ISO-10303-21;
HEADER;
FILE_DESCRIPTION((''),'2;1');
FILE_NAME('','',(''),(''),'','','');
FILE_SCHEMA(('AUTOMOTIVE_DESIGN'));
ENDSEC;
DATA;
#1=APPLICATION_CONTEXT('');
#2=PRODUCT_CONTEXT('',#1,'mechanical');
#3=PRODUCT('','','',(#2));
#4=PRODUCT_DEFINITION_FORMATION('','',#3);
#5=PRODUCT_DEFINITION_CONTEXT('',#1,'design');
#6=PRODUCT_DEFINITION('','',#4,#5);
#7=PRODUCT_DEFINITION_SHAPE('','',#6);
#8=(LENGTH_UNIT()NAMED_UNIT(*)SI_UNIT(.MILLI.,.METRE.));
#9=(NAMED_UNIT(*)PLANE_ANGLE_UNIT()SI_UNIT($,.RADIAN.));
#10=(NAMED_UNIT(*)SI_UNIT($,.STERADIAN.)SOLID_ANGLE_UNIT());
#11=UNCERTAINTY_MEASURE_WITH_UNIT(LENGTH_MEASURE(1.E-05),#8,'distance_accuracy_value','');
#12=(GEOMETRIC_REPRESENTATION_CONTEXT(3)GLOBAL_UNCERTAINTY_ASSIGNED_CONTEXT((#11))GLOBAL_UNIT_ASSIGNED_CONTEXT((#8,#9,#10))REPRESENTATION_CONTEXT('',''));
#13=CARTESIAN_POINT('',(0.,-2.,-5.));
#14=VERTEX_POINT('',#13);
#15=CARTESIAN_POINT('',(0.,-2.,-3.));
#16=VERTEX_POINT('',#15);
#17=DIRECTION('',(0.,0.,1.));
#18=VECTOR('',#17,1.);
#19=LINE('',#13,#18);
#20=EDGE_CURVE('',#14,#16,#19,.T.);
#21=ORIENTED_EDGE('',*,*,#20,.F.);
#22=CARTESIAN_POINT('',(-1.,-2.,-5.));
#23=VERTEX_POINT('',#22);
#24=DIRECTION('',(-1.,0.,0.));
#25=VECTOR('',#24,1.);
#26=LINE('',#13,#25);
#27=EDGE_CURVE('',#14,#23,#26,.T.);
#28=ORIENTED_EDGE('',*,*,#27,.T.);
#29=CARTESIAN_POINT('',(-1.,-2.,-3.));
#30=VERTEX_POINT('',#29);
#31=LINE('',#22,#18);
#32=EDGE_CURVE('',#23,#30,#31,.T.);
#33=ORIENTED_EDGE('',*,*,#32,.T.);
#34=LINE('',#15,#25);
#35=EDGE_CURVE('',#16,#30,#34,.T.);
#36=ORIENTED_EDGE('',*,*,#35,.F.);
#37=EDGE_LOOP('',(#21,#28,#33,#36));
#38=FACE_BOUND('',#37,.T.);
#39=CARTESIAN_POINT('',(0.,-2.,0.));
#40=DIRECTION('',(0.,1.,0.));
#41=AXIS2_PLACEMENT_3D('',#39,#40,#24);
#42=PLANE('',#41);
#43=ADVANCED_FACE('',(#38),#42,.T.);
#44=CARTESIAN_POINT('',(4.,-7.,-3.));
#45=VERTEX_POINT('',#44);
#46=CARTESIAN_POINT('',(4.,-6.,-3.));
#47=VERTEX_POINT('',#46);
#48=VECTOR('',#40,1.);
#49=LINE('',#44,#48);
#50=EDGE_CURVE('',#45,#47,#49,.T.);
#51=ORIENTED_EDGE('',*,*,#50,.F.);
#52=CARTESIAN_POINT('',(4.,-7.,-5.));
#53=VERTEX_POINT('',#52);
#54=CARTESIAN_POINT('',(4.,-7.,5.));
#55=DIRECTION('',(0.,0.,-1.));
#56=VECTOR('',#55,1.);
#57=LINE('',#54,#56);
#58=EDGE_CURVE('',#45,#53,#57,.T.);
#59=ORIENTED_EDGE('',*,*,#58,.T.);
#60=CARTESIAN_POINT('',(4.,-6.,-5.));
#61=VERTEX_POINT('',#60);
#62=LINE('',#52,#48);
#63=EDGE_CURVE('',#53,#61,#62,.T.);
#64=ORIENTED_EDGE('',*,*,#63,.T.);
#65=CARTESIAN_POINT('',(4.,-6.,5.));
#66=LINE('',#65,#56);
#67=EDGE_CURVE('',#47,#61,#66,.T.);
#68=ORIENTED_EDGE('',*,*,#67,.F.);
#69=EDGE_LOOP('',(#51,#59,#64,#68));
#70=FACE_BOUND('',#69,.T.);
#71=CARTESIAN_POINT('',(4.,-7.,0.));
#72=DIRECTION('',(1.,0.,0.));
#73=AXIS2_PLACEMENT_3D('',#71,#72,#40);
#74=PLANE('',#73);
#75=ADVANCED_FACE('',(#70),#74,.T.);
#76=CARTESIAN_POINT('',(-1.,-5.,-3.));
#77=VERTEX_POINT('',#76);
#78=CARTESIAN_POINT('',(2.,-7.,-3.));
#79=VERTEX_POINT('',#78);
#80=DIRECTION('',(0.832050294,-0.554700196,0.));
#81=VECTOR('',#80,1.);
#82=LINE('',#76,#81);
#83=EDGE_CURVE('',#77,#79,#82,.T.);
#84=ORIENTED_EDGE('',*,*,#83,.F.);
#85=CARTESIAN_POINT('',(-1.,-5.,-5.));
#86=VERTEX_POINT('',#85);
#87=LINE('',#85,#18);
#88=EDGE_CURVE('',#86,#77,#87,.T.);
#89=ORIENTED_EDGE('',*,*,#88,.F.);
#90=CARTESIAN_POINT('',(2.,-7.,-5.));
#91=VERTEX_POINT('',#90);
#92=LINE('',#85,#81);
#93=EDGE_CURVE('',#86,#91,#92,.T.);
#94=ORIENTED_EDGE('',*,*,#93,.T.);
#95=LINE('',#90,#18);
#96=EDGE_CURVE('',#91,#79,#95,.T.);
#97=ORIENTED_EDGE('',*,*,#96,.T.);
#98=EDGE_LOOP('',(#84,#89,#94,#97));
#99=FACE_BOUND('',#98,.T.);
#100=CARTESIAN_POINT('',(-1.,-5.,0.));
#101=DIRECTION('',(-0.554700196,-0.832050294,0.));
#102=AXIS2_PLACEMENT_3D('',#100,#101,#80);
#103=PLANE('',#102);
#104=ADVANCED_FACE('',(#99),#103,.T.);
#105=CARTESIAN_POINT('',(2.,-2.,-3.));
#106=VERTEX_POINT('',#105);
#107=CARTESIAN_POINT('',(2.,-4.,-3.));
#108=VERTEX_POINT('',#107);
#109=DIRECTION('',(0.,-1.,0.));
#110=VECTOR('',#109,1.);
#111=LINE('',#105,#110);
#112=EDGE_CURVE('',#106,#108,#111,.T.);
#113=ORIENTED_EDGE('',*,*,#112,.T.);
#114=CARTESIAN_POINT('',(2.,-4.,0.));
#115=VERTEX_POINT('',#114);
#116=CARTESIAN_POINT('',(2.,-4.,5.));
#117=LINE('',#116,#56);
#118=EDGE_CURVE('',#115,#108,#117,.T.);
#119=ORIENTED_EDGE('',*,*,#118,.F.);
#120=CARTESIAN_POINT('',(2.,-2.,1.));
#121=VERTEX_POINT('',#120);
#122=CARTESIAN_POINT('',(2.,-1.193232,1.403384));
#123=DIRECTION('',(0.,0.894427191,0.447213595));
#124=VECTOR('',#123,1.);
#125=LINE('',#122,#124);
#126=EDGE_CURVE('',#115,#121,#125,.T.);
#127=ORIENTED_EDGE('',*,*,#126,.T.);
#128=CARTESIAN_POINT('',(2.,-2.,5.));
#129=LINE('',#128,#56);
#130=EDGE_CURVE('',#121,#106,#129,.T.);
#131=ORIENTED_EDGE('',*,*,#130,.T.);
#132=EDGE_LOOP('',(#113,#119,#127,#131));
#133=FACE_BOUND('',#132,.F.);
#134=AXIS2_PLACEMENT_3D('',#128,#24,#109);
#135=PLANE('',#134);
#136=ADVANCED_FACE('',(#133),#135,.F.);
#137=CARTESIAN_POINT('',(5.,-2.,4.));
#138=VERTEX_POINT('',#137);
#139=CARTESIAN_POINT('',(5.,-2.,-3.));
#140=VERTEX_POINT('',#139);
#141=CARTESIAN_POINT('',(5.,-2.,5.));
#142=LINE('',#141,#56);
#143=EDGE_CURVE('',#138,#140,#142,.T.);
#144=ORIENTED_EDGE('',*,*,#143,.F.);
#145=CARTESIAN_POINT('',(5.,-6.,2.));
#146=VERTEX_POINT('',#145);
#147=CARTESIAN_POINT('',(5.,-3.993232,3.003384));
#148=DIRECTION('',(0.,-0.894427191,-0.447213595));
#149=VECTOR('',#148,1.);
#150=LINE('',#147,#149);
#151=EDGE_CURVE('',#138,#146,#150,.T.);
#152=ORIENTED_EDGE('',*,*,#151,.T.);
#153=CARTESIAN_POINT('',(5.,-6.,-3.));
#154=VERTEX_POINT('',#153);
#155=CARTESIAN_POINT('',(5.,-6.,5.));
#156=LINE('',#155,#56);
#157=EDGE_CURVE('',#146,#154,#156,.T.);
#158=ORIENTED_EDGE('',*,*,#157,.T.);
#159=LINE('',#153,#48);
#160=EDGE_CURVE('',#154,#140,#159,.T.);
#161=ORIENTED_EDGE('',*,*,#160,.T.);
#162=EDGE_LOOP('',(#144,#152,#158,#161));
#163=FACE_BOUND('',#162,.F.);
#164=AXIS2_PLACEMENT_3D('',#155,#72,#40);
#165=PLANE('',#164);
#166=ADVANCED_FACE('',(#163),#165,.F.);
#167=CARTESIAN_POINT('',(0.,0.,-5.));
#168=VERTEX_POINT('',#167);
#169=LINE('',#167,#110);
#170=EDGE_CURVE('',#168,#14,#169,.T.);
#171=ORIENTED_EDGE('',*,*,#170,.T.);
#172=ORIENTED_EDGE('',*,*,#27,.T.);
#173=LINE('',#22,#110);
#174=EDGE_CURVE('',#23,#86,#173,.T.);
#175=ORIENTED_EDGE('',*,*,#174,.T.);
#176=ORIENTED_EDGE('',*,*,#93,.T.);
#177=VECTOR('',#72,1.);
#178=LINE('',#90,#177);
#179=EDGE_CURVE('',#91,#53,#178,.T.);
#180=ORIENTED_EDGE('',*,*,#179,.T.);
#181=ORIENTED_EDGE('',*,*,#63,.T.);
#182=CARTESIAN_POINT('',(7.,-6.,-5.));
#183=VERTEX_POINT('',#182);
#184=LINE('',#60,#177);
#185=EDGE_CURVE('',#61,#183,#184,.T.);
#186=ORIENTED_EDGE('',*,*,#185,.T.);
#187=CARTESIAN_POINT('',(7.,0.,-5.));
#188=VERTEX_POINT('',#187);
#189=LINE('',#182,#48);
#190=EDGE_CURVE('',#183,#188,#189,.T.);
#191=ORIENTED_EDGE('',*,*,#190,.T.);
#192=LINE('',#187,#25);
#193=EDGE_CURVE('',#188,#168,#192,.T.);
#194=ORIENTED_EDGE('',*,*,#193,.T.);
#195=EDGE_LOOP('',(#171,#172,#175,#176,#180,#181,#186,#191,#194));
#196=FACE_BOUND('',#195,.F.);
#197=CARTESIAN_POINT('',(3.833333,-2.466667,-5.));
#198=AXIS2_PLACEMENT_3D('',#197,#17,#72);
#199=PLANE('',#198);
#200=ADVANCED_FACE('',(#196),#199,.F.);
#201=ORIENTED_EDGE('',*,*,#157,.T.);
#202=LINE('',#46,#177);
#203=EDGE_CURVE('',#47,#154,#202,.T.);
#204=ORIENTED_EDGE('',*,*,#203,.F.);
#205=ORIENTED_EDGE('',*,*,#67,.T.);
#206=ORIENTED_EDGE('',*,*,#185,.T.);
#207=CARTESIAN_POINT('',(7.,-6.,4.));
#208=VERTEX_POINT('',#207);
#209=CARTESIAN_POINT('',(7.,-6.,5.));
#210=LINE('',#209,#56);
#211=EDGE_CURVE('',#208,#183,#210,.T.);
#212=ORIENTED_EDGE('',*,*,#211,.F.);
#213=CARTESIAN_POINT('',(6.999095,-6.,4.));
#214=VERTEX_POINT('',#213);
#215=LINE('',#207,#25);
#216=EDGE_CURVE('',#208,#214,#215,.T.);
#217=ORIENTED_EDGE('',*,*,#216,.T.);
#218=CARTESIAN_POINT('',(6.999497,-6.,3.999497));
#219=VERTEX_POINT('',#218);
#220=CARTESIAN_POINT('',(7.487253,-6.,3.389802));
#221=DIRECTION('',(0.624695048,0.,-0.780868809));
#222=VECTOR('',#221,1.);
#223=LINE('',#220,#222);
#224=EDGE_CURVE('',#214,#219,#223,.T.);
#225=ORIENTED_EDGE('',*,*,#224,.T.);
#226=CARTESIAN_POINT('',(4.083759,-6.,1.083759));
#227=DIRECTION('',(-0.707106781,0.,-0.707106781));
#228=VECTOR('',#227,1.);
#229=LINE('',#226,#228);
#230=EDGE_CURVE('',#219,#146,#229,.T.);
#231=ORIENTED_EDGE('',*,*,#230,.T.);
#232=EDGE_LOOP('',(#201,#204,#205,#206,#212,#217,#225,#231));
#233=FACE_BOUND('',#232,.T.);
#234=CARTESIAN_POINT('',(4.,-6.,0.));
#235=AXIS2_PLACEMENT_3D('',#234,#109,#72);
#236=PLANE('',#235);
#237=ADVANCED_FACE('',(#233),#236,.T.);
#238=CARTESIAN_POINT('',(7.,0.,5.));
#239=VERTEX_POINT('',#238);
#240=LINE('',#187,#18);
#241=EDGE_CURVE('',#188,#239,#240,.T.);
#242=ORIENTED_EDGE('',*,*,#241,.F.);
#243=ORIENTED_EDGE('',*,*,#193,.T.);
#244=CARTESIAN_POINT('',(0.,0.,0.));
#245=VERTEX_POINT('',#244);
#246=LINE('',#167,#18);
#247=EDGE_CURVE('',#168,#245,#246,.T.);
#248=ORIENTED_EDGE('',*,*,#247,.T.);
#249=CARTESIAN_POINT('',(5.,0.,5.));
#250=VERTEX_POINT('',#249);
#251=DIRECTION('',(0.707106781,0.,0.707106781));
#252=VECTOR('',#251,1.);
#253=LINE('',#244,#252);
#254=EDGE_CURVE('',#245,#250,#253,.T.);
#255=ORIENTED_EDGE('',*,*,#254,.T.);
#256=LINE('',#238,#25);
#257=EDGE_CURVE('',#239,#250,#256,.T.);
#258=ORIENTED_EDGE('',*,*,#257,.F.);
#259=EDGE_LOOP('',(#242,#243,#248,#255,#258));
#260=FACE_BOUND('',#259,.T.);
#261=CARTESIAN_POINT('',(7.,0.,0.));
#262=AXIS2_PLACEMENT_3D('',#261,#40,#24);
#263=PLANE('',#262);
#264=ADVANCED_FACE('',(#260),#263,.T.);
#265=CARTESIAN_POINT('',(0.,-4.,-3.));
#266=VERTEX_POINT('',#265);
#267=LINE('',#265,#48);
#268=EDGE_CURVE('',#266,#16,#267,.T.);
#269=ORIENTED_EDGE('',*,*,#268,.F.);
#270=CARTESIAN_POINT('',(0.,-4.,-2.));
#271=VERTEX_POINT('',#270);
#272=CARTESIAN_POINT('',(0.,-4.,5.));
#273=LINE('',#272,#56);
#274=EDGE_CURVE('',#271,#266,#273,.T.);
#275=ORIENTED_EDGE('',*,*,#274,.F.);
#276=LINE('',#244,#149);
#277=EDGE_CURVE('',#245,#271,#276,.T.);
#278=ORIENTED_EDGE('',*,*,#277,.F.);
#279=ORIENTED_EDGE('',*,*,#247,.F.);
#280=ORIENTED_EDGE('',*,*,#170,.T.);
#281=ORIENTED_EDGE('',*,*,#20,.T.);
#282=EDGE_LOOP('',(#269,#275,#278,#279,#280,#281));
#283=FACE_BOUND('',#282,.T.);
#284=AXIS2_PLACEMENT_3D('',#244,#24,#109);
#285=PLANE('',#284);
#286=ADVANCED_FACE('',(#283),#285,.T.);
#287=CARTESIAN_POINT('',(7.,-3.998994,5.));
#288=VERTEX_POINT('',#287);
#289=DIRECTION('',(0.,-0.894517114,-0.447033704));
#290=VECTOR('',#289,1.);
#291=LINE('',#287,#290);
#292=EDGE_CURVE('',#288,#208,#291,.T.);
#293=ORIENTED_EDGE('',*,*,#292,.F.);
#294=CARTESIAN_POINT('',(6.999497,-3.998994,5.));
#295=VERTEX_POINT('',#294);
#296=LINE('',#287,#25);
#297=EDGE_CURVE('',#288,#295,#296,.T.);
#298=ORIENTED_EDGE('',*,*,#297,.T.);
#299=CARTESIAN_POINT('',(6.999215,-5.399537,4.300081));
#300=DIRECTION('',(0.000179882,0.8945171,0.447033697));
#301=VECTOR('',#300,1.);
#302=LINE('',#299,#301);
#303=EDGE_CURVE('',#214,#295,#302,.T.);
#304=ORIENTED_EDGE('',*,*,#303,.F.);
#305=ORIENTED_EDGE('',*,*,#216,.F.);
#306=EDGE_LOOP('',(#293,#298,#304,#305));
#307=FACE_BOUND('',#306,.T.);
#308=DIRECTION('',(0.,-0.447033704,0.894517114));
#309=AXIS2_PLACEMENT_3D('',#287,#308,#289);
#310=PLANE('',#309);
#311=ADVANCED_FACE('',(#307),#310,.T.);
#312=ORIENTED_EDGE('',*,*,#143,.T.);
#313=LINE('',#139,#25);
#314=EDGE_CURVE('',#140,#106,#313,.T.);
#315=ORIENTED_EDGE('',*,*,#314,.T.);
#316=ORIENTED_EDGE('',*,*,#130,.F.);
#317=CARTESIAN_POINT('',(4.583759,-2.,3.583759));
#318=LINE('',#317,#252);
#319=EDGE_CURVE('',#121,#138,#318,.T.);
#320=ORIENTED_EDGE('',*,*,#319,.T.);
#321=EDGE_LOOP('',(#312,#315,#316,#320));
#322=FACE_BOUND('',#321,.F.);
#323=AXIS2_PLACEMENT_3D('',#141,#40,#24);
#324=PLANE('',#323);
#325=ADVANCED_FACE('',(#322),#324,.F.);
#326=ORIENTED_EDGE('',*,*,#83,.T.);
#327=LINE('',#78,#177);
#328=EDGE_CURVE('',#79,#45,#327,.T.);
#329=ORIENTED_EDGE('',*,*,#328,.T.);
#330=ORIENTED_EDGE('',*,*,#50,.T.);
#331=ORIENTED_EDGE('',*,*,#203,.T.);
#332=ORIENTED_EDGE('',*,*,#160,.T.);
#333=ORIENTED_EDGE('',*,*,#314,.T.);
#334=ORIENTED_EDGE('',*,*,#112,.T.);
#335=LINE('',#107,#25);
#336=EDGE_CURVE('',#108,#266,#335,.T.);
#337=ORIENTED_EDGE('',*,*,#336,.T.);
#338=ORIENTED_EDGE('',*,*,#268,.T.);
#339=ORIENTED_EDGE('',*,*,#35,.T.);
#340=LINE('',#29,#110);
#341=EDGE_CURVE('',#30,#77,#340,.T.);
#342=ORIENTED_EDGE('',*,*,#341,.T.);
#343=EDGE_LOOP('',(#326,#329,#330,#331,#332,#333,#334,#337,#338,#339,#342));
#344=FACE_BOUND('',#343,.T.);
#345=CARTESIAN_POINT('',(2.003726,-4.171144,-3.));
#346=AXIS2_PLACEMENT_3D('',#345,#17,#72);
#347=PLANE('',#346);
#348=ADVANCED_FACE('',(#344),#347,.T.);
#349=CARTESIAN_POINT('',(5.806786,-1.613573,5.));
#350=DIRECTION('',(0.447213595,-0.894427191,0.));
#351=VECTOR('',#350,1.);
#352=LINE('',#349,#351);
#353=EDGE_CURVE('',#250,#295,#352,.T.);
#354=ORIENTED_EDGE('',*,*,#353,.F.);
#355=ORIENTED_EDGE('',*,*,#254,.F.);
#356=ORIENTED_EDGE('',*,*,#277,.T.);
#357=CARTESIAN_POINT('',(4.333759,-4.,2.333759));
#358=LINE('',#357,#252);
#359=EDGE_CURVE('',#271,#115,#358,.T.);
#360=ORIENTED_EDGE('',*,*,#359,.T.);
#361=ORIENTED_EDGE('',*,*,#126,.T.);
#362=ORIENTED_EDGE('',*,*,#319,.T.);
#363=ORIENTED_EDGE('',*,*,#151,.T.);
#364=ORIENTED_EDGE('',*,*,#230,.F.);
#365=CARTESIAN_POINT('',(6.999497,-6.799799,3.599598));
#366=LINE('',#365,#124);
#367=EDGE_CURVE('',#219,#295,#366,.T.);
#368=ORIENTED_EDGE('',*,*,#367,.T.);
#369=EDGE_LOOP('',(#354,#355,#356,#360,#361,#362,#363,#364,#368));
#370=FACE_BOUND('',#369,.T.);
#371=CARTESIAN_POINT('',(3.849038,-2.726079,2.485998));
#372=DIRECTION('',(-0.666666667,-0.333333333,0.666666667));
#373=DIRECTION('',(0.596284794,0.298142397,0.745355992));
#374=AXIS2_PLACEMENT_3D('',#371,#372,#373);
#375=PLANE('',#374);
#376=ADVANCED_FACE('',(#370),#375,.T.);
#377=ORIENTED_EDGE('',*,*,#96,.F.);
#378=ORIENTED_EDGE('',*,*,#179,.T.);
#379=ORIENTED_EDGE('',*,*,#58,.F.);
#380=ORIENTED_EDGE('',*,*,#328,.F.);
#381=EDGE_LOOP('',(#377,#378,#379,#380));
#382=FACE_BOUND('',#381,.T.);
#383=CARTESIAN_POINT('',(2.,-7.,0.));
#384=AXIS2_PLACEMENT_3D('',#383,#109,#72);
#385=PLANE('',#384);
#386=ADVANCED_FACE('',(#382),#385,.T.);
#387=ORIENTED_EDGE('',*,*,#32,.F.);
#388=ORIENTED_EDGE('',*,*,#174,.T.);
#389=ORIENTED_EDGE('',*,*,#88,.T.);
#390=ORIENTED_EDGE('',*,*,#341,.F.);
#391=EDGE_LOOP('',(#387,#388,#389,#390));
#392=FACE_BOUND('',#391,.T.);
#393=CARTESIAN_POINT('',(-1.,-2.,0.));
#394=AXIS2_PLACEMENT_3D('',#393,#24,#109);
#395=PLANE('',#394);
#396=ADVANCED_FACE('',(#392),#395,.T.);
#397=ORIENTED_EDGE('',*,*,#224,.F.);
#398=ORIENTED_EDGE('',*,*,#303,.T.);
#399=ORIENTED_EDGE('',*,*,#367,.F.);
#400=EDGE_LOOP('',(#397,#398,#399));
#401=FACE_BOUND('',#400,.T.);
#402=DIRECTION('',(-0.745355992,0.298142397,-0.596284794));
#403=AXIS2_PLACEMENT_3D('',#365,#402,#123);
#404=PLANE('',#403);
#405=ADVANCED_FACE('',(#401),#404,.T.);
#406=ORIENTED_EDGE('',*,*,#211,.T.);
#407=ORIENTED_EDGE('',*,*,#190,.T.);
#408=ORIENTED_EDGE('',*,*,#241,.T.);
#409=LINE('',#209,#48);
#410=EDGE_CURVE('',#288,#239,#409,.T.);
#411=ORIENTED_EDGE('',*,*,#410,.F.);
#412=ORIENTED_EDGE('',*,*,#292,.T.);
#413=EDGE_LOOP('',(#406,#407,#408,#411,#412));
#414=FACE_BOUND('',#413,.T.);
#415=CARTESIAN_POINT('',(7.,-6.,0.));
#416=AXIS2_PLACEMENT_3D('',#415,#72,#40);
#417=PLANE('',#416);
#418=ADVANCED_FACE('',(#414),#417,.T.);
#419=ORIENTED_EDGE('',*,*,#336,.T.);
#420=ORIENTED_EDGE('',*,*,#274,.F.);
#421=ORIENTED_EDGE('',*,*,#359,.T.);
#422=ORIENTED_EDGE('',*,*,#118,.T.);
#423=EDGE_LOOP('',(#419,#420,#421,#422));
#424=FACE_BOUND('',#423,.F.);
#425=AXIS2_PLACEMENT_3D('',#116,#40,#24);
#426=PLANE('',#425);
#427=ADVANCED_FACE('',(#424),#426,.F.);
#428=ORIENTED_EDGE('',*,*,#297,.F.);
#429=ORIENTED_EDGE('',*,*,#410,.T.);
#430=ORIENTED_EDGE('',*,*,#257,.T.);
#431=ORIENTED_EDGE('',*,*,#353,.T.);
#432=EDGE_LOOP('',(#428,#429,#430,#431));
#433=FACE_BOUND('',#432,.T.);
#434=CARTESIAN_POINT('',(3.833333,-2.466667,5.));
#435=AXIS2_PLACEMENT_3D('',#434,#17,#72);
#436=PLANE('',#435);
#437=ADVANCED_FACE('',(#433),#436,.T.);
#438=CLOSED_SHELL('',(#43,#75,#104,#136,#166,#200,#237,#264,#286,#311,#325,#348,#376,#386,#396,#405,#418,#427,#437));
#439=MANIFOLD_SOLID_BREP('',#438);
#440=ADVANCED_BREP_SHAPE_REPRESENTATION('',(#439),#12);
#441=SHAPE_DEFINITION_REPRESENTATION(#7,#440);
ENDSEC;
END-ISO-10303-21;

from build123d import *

# Parameters (mm, degrees)
BOSS_EXTRUDE1_DEPTH = 5
CUT_EXTRUDE1_DEPTH  = 8
CUT_EXTRUDE5_DEPTH  = 3
CUT_EXTRUDE6_DEPTH  = 5
CUT_EXTRUDE7_DEPTH  = 10
CUT_EXTRUDE10_DEPTH = 1


with BuildPart() as part:
    # Sketch1 → Boss-Extrude1 (new body, symmetric)
    with BuildSketch(Plane.XY):
        Polygon((7, -6), (7, 0), (0, 0), (0, -2), (0, -4), (2, -4), (2, -2), (5, -2), (5, -6), align=None)
        Polygon((4, -6), (5, -6), (5, -2), (2, -2), (2, -4), (0, -4), (0, -2), (-1, -2), (-1, -5), (2, -7), (4, -7), align=None)
    extrude(amount=BOSS_EXTRUDE1_DEPTH, both=True)

    # Sketch2 → Cut-Extrude1 (cut)
    with BuildSketch(Plane.XY.offset(5)):
        Polygon((5, -6), (5, -2), (2, -2), (2, -4), (0, -4), (0, -2), (-1, -2), (-1, -5), (2, -7), (4, -7), (4, -6), align=None)
    extrude(amount=-CUT_EXTRUDE1_DEPTH, mode=Mode.SUBTRACT)

    # Sketch4 → Cut-Extrude5 (cut, through all)
    with BuildSketch(Plane.XZ.offset(2)):
        Polygon((5, 5), (0, 0), (0, 5), align=None)
    extrude(amount=-CUT_EXTRUDE5_DEPTH, mode=Mode.SUBTRACT)

    # Sketch5 → Cut-Extrude6 (cut, through all)
    with BuildSketch(Plane.XZ.offset(4)):
        Polygon((2, 2), (0, 0), (0, 5), (2, 5), align=None)
    extrude(amount=-CUT_EXTRUDE6_DEPTH, mode=Mode.SUBTRACT)

    # Sketch9 → Cut-Extrude7 (cut)
    with BuildSketch(Plane(origin=(0, 0, 0), x_dir=(0.596284794, 0.298142397, 0.745355992), z_dir=(-0.666666667, -0.333333333, 0.666666667))):
        Polygon((0, 0), (-2.683281573, -3.577708764), (4.829366967, -9.212195169), (9.390810676, -3.130270225), align=None)
    extrude(amount=CUT_EXTRUDE7_DEPTH, mode=Mode.SUBTRACT)

    # Sketch10 → Cut-Extrude10 (cut)
    with BuildSketch(Plane(origin=(7, 0, 0), x_dir=(0, 0, -1), z_dir=(1, 0, 0))):
        Polygon((-4, -6), (-5, -6), (-5, -3.998994023), align=None)
    extrude(amount=-CUT_EXTRUDE10_DEPTH, mode=Mode.SUBTRACT)


solid = part.part
